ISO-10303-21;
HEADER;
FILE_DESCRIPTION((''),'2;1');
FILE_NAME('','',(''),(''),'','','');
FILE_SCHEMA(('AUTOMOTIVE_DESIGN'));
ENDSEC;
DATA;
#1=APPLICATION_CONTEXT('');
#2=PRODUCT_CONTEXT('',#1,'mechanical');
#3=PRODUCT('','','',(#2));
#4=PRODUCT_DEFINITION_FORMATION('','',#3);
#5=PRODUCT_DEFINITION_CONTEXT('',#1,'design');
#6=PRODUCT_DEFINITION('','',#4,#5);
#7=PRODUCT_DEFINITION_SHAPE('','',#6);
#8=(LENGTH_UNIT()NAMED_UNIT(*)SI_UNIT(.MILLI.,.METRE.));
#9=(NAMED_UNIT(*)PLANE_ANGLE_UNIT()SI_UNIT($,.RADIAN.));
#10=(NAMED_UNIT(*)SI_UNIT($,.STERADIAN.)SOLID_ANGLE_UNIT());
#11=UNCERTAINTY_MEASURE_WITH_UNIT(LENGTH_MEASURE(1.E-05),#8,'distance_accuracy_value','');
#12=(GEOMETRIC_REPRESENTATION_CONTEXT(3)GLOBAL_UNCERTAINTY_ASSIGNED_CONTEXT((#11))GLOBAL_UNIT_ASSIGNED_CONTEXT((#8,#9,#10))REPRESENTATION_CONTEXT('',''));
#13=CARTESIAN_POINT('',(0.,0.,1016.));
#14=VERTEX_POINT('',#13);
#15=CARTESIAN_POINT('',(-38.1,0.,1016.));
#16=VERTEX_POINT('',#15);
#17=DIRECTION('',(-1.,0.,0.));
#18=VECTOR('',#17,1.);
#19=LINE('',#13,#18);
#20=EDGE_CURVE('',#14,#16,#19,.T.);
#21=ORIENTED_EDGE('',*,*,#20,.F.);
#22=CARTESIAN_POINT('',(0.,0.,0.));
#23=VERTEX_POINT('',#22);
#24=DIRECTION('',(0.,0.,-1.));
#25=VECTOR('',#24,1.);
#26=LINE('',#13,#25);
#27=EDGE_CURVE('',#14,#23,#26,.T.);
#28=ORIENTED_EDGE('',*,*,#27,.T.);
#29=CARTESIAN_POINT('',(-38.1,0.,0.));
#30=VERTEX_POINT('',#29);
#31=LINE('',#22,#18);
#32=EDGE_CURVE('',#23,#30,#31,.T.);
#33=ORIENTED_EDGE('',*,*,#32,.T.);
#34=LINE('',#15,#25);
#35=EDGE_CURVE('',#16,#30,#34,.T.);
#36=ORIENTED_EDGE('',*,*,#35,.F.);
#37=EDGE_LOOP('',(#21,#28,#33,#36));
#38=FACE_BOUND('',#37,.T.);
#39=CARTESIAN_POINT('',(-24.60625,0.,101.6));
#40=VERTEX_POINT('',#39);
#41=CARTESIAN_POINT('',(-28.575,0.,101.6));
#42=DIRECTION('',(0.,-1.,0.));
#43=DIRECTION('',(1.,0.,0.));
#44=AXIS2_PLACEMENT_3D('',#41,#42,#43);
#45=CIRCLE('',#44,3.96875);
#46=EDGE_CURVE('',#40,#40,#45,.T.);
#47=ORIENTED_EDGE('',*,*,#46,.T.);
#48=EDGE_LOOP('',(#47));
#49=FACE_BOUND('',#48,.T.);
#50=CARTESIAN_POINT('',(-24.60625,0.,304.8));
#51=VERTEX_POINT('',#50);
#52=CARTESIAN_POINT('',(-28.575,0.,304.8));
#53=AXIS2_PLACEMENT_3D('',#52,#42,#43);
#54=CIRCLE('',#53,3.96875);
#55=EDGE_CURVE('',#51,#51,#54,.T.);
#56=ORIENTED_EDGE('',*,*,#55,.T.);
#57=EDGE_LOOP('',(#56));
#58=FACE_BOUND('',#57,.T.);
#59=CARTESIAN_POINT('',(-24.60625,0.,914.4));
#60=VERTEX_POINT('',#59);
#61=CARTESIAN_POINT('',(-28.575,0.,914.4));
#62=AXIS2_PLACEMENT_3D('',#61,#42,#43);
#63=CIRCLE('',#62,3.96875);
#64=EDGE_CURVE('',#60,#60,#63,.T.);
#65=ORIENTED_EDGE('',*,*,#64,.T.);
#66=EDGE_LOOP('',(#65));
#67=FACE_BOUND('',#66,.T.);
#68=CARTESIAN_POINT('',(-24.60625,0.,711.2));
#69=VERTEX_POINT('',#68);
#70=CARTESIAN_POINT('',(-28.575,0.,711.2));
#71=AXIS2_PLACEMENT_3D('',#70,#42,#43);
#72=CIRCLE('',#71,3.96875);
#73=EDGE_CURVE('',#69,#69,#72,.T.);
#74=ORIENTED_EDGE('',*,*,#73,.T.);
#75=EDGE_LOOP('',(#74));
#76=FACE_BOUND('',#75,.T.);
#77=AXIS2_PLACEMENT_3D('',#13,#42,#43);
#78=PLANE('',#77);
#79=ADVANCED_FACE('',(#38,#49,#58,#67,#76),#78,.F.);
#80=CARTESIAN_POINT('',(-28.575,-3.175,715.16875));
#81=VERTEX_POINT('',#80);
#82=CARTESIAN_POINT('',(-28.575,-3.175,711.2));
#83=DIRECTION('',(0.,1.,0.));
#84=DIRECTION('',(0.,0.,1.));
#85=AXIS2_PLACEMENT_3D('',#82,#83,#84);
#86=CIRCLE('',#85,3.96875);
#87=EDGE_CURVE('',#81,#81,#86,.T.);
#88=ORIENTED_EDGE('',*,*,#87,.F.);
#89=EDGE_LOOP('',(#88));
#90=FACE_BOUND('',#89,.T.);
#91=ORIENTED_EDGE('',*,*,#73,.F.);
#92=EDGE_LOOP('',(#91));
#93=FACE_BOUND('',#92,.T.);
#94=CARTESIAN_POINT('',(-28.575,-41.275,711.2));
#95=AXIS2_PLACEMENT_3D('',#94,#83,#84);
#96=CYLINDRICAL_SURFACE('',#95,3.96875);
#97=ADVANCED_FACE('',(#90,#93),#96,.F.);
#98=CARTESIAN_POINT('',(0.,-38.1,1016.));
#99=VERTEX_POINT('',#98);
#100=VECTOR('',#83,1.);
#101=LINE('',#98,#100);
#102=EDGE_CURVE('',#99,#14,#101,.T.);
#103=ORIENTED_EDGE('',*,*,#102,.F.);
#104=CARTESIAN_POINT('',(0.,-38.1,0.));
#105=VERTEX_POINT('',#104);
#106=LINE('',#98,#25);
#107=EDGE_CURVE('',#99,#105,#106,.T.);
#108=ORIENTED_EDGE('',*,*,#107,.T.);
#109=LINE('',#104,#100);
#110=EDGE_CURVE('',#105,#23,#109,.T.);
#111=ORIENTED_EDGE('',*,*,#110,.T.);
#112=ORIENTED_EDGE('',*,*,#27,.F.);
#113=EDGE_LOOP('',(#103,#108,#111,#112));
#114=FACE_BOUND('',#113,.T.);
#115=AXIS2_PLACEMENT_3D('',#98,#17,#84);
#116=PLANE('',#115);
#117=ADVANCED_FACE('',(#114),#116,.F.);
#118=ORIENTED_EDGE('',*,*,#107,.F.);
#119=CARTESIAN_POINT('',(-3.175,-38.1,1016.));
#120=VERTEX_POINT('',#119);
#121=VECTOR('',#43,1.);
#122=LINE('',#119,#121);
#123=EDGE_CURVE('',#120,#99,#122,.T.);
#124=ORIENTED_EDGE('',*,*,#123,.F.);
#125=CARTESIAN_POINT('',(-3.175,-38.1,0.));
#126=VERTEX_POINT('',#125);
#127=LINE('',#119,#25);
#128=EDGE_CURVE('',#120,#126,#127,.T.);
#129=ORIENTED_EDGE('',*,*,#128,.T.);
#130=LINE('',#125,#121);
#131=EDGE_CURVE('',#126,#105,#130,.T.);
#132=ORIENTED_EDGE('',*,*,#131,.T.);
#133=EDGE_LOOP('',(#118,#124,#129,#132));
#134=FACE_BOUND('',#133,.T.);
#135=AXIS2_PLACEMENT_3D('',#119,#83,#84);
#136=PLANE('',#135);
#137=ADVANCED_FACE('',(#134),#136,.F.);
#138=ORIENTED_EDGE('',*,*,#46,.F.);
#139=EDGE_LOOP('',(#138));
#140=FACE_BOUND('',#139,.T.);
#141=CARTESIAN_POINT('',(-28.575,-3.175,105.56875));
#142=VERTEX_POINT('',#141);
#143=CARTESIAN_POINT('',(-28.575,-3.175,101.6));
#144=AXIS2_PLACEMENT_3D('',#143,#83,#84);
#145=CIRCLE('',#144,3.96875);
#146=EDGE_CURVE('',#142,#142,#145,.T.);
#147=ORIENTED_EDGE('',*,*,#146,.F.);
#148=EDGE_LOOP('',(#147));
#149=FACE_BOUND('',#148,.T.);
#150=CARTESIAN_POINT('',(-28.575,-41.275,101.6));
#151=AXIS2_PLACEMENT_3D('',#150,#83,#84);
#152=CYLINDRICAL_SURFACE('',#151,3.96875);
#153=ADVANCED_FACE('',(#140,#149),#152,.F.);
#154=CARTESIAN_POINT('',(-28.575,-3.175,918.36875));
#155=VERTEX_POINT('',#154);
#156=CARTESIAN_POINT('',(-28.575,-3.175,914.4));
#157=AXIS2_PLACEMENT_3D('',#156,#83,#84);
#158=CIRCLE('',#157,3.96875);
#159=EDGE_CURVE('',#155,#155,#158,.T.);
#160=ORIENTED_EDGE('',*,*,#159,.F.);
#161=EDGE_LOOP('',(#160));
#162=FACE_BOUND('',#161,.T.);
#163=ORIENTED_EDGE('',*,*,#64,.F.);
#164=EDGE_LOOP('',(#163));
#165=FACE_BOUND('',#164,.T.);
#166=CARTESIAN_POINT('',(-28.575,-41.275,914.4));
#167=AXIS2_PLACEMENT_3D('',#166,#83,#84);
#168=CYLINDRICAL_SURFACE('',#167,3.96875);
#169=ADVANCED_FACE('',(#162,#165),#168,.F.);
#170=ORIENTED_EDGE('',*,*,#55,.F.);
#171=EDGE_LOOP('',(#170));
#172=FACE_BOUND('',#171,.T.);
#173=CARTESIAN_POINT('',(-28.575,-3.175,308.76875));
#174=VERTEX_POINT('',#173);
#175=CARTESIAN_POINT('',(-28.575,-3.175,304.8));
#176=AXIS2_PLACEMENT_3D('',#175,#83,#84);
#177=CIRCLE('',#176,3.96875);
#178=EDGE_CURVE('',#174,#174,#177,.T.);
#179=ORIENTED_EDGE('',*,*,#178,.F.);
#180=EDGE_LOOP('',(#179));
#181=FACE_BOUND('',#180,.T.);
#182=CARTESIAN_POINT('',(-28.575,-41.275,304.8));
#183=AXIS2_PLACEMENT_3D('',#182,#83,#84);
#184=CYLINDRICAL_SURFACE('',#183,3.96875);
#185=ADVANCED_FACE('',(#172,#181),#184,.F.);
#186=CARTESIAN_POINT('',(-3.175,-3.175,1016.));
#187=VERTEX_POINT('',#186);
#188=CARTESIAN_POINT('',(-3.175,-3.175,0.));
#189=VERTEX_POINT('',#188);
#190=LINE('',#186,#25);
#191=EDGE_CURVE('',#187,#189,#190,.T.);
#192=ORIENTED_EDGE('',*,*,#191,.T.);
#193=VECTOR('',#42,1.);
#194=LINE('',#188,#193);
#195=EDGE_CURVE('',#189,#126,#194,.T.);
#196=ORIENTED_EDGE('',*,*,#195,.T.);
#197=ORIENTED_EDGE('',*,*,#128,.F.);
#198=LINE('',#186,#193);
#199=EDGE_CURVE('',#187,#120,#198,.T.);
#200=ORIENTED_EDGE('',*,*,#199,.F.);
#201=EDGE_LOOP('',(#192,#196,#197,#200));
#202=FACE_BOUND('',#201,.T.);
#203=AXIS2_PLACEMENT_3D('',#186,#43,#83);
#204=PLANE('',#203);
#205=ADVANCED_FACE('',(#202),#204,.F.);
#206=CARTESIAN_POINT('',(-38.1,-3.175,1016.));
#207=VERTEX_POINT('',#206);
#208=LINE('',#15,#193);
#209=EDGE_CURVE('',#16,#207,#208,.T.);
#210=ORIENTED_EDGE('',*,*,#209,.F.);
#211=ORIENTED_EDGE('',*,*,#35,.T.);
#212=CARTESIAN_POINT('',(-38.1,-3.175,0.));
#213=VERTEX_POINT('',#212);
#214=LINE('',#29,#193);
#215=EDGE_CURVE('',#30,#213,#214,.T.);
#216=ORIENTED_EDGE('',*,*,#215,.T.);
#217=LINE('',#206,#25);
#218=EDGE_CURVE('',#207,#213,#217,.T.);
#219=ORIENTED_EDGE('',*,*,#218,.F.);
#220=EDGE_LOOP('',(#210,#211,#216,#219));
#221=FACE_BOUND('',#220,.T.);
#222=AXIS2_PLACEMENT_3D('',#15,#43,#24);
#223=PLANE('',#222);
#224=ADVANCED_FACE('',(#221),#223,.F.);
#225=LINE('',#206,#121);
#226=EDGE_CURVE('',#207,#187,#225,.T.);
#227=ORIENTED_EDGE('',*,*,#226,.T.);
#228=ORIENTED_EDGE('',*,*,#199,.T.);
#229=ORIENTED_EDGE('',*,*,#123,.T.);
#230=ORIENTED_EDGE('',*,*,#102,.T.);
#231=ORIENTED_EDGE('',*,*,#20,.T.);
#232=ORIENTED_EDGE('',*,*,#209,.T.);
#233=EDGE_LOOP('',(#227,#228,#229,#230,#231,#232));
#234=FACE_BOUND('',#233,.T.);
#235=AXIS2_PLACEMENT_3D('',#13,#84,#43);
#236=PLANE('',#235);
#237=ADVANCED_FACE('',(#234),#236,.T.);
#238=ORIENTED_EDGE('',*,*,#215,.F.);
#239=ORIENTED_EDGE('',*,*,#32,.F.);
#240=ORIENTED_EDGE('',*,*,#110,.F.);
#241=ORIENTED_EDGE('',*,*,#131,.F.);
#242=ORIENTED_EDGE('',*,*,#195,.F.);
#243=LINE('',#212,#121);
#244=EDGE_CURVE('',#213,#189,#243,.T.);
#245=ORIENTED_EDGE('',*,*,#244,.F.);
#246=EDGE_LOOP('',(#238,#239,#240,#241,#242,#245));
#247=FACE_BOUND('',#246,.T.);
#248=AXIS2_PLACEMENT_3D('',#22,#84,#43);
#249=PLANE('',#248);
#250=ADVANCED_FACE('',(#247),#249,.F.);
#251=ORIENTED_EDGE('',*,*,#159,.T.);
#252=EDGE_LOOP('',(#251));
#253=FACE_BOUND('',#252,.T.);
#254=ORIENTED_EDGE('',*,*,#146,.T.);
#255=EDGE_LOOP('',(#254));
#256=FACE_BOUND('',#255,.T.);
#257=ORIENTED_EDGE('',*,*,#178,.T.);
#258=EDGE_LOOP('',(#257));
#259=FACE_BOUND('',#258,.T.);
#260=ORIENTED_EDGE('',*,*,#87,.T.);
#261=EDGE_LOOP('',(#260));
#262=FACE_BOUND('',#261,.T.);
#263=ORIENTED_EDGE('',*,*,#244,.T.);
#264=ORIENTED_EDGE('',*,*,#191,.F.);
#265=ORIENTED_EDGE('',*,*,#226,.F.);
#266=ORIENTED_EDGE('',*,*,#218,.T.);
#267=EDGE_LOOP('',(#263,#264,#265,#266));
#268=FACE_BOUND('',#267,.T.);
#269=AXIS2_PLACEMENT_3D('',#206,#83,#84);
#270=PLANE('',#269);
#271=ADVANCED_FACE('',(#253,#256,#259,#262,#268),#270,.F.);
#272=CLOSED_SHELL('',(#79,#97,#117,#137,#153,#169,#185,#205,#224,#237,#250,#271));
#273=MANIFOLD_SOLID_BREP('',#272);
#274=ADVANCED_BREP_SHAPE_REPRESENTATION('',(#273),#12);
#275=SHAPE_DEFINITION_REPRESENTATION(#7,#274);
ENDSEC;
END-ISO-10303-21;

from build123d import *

# Parameters (mm, degrees)
BOSS_EXTRUDE1_DEPTH = 1016
SKETCH4_R           = 3.96875
CUT_EXTRUDE3_DEPTH  = 44.45
LPATTERN1_COUNT     = 5
LPATTERN1_PITCH     = 203.2


with BuildPart() as part:
    # Sketch1 → Boss-Extrude1 (new body)
    with BuildSketch(Plane.XY):
        Polygon((0, 0), (-38.1, 0), (-38.1, -3.175), (-3.175, -3.175), (-3.175, -38.1), (0, -38.1), align=None)
    extrude(amount=BOSS_EXTRUDE1_DEPTH)

    # Sketch4 → Cut-Extrude3 (cut)
    with BuildSketch(Plane(origin=(10.670100368, 3.175, 791.563272881), x_dir=(1, 0, 0), z_dir=(0, 1, 0))):
        with Locations((-39.245100368, 689.963272881)):
            Circle(SKETCH4_R)
    cut_extrude3 = extrude(amount=-CUT_EXTRUDE3_DEPTH, mode=Mode.SUBTRACT)

    # LPattern1: Cut-Extrude3 ×5, 1 skipped
    with Locations(*[(0, 0, i * LPATTERN1_PITCH) for i in range(1, LPATTERN1_COUNT) if i not in (2,)]):
        add(cut_extrude3, mode=Mode.SUBTRACT)


solid = part.part
